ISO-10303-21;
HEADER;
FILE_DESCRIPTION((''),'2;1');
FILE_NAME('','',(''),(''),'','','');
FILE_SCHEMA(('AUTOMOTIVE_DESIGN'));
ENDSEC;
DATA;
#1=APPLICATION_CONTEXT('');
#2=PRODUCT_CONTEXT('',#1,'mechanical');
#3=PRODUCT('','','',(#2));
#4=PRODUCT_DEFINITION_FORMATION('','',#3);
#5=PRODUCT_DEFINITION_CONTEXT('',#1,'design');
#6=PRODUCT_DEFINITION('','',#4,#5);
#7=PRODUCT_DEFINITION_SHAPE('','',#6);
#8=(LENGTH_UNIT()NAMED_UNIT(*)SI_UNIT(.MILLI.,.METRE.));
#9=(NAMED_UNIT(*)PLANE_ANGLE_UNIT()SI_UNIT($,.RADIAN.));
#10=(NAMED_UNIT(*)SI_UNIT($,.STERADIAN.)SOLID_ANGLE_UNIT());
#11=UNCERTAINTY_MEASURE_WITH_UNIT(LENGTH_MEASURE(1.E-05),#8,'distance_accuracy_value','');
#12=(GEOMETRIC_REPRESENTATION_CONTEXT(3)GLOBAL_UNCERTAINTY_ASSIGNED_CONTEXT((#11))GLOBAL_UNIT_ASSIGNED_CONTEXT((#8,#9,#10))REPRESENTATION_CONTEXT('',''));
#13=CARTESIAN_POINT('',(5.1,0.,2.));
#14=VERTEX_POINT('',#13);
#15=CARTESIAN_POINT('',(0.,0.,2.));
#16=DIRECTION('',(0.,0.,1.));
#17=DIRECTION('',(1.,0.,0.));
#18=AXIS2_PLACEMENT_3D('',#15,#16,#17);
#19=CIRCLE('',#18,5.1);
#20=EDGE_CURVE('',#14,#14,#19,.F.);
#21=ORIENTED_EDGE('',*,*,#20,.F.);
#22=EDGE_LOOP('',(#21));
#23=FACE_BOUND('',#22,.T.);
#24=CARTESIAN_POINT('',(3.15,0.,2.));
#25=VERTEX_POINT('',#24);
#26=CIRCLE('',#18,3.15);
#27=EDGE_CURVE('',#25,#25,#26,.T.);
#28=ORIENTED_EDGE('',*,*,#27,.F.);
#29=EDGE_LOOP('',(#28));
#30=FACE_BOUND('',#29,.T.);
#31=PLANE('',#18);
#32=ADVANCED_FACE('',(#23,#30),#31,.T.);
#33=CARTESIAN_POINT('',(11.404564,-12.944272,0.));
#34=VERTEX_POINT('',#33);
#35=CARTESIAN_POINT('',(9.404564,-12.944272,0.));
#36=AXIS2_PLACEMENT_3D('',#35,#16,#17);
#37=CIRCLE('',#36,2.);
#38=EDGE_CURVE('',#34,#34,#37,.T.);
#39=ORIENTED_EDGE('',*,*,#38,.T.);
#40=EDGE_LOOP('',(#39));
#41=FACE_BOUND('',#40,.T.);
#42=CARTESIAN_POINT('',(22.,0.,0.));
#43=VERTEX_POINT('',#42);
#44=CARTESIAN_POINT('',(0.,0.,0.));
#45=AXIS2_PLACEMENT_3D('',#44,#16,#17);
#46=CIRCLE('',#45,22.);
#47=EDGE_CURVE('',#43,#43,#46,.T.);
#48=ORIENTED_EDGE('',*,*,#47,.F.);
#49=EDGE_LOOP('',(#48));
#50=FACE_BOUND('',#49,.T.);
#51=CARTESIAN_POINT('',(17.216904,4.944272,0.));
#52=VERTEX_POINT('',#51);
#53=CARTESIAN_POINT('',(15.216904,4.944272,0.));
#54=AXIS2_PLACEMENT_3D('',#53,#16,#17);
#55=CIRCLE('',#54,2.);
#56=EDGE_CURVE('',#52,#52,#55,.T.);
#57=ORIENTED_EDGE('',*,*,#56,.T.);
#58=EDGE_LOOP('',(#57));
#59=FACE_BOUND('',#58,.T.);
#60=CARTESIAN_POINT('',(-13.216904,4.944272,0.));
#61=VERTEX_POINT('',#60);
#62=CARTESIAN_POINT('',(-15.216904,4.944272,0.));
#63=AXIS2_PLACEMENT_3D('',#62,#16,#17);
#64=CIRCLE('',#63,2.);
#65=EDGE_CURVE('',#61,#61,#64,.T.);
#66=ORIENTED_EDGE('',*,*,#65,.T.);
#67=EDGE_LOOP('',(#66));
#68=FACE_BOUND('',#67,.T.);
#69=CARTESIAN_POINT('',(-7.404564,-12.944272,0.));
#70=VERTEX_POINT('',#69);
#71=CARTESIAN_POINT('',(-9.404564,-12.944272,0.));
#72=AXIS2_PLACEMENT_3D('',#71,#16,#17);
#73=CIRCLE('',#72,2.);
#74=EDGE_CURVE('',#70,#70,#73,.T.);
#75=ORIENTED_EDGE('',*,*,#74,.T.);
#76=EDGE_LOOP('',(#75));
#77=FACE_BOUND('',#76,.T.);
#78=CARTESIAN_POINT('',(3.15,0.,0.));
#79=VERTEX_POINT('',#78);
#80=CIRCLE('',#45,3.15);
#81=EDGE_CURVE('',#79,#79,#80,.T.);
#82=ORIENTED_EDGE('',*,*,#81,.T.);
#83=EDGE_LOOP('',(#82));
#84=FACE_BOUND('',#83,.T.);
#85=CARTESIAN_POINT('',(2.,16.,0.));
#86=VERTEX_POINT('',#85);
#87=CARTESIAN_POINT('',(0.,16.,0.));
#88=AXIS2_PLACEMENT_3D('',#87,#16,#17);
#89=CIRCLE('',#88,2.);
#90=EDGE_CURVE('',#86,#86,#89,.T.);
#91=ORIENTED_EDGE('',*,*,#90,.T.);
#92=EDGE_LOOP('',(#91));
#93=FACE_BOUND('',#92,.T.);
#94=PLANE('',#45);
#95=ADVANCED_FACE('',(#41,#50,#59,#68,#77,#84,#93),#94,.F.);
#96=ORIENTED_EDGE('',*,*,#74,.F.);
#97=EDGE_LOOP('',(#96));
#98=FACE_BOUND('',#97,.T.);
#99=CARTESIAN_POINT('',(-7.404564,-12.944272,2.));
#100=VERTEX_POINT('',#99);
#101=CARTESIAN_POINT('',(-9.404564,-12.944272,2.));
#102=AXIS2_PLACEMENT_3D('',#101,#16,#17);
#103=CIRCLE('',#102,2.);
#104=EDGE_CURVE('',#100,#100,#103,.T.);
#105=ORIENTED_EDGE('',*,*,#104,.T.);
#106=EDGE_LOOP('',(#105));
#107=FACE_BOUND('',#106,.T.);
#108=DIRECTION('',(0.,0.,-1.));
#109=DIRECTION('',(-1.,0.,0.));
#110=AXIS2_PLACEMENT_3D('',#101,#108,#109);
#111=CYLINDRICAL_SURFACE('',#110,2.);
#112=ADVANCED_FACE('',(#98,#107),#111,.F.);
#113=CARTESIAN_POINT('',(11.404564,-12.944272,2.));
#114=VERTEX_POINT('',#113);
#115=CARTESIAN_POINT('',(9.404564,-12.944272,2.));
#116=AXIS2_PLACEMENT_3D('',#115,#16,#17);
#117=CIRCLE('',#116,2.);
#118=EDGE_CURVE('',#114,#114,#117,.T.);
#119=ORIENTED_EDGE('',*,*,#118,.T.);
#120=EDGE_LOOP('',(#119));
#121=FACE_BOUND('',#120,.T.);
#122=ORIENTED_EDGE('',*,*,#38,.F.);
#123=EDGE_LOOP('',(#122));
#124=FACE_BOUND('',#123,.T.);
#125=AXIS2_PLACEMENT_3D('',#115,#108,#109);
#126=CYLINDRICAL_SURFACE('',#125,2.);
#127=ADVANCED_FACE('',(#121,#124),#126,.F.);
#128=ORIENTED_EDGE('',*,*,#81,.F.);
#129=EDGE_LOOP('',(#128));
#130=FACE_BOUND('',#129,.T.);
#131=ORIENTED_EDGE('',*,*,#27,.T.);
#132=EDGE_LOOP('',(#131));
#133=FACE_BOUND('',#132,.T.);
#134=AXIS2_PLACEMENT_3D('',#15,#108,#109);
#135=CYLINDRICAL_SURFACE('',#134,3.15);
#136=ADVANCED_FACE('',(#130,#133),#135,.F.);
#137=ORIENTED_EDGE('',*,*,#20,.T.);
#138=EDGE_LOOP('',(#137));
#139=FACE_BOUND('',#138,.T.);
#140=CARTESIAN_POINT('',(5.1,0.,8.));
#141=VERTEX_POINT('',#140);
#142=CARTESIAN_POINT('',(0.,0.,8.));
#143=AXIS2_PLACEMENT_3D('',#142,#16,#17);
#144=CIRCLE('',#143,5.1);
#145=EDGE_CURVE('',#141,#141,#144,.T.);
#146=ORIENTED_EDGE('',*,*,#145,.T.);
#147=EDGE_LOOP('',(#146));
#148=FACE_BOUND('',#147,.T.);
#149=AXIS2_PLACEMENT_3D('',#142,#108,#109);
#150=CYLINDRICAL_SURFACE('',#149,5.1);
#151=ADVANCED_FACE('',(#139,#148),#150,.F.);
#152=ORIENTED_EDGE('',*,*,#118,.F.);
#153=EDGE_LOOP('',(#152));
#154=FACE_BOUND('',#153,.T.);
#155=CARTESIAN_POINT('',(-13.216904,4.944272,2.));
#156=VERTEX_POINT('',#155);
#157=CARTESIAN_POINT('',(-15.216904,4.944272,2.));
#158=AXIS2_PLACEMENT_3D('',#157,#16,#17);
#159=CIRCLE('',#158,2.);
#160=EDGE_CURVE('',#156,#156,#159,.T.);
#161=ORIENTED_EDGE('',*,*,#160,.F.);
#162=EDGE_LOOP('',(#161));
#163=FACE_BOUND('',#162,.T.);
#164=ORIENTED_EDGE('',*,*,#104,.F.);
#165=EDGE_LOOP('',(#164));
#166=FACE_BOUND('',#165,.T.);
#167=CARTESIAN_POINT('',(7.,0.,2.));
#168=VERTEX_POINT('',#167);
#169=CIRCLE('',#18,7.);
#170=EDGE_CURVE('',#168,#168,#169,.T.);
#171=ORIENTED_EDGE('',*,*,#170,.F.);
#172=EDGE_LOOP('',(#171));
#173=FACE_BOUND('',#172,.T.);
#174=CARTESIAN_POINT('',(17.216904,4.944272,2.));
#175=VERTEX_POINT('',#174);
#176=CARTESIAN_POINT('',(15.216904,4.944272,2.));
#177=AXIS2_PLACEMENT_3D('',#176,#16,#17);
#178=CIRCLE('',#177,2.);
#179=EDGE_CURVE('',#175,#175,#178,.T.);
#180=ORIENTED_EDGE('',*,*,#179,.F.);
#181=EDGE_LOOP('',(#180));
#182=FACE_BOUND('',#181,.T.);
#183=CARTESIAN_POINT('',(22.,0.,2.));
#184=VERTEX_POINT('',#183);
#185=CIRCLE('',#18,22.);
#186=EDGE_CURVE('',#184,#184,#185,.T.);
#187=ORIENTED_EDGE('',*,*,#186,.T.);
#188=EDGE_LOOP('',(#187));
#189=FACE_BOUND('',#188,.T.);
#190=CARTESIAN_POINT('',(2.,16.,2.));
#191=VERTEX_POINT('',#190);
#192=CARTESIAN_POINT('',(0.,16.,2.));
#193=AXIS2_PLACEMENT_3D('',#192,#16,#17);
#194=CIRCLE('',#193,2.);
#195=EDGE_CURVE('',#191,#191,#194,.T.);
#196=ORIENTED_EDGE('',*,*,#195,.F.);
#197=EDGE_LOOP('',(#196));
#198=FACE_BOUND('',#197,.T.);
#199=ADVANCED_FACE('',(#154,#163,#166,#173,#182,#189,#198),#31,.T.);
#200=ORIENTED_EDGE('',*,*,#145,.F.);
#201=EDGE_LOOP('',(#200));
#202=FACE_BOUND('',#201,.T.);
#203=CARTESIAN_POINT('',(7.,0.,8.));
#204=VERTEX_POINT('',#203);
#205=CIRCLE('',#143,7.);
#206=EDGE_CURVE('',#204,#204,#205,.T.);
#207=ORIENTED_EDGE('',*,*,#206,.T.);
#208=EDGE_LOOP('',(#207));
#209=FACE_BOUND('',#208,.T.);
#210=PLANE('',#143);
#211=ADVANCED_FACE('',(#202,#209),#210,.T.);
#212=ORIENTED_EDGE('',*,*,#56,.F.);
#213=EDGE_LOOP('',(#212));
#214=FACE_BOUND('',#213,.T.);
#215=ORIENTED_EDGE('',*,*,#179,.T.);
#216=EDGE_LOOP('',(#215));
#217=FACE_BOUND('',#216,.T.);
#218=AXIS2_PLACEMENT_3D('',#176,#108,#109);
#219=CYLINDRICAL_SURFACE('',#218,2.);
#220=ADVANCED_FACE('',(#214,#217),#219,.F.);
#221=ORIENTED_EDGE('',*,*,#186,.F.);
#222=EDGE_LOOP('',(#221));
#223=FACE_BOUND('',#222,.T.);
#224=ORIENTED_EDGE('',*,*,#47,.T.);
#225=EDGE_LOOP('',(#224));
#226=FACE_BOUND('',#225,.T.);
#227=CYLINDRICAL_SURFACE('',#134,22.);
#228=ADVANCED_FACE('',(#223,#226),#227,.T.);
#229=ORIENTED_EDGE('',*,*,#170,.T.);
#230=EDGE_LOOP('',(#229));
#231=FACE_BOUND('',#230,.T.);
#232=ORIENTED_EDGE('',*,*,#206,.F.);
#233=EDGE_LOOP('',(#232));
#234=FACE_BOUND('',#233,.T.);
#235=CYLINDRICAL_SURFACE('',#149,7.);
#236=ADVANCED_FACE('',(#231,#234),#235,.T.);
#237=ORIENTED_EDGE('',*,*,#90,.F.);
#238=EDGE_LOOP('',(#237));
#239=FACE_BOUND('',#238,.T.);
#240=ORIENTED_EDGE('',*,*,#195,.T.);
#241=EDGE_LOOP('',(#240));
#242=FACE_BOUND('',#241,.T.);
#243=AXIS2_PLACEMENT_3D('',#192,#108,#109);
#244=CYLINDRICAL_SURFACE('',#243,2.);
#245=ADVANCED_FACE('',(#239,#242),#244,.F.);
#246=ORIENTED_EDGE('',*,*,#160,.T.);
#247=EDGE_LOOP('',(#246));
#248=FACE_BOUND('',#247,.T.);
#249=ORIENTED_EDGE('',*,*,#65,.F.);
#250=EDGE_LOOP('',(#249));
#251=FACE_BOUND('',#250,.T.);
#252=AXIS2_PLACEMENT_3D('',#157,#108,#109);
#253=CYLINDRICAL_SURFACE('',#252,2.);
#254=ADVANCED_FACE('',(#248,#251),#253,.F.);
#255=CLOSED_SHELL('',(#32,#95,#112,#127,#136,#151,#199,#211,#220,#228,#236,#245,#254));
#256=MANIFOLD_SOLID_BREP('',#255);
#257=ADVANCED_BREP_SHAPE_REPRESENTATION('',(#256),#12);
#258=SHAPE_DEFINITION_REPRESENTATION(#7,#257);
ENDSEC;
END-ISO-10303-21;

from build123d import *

# Parameters (mm, degrees)
SKETCH_1_R      = 22
SKETCH_1_R_2    = 3.15
SKETCH_1_R_3    = 2
EXTRUDE_1_DEPTH = 2
SKETCH_2_R      = 7
SKETCH_2_R_2    = 5.1
EXTRUDE_3_DEPTH = 6


with BuildPart() as part:
    # 草图1 → 凸台-拉伸1 (new body)
    with BuildSketch(Plane.XY):
        Circle(SKETCH_1_R)
        Circle(SKETCH_1_R_2, mode=Mode.SUBTRACT)
        with Locations((0, 16)):
            Circle(SKETCH_1_R_3, mode=Mode.SUBTRACT)
        with Locations((15.216904261, 4.94427191)):
            Circle(SKETCH_1_R_3, mode=Mode.SUBTRACT)
        with Locations((9.404564037, -12.94427191)):
            Circle(SKETCH_1_R_3, mode=Mode.SUBTRACT)
        with Locations((-9.404564037, -12.94427191)):
            Circle(SKETCH_1_R_3, mode=Mode.SUBTRACT)
        with Locations((-15.216904261, 4.94427191)):
            Circle(SKETCH_1_R_3, mode=Mode.SUBTRACT)
    extrude(amount=EXTRUDE_1_DEPTH)

    # 草图2 → 凸台-拉伸3 (add)
    with BuildSketch(Plane.XY.offset(2)):
        Circle(SKETCH_2_R)
        Circle(SKETCH_2_R_2, mode=Mode.SUBTRACT)
    extrude(amount=EXTRUDE_3_DEPTH)


solid = part.part
